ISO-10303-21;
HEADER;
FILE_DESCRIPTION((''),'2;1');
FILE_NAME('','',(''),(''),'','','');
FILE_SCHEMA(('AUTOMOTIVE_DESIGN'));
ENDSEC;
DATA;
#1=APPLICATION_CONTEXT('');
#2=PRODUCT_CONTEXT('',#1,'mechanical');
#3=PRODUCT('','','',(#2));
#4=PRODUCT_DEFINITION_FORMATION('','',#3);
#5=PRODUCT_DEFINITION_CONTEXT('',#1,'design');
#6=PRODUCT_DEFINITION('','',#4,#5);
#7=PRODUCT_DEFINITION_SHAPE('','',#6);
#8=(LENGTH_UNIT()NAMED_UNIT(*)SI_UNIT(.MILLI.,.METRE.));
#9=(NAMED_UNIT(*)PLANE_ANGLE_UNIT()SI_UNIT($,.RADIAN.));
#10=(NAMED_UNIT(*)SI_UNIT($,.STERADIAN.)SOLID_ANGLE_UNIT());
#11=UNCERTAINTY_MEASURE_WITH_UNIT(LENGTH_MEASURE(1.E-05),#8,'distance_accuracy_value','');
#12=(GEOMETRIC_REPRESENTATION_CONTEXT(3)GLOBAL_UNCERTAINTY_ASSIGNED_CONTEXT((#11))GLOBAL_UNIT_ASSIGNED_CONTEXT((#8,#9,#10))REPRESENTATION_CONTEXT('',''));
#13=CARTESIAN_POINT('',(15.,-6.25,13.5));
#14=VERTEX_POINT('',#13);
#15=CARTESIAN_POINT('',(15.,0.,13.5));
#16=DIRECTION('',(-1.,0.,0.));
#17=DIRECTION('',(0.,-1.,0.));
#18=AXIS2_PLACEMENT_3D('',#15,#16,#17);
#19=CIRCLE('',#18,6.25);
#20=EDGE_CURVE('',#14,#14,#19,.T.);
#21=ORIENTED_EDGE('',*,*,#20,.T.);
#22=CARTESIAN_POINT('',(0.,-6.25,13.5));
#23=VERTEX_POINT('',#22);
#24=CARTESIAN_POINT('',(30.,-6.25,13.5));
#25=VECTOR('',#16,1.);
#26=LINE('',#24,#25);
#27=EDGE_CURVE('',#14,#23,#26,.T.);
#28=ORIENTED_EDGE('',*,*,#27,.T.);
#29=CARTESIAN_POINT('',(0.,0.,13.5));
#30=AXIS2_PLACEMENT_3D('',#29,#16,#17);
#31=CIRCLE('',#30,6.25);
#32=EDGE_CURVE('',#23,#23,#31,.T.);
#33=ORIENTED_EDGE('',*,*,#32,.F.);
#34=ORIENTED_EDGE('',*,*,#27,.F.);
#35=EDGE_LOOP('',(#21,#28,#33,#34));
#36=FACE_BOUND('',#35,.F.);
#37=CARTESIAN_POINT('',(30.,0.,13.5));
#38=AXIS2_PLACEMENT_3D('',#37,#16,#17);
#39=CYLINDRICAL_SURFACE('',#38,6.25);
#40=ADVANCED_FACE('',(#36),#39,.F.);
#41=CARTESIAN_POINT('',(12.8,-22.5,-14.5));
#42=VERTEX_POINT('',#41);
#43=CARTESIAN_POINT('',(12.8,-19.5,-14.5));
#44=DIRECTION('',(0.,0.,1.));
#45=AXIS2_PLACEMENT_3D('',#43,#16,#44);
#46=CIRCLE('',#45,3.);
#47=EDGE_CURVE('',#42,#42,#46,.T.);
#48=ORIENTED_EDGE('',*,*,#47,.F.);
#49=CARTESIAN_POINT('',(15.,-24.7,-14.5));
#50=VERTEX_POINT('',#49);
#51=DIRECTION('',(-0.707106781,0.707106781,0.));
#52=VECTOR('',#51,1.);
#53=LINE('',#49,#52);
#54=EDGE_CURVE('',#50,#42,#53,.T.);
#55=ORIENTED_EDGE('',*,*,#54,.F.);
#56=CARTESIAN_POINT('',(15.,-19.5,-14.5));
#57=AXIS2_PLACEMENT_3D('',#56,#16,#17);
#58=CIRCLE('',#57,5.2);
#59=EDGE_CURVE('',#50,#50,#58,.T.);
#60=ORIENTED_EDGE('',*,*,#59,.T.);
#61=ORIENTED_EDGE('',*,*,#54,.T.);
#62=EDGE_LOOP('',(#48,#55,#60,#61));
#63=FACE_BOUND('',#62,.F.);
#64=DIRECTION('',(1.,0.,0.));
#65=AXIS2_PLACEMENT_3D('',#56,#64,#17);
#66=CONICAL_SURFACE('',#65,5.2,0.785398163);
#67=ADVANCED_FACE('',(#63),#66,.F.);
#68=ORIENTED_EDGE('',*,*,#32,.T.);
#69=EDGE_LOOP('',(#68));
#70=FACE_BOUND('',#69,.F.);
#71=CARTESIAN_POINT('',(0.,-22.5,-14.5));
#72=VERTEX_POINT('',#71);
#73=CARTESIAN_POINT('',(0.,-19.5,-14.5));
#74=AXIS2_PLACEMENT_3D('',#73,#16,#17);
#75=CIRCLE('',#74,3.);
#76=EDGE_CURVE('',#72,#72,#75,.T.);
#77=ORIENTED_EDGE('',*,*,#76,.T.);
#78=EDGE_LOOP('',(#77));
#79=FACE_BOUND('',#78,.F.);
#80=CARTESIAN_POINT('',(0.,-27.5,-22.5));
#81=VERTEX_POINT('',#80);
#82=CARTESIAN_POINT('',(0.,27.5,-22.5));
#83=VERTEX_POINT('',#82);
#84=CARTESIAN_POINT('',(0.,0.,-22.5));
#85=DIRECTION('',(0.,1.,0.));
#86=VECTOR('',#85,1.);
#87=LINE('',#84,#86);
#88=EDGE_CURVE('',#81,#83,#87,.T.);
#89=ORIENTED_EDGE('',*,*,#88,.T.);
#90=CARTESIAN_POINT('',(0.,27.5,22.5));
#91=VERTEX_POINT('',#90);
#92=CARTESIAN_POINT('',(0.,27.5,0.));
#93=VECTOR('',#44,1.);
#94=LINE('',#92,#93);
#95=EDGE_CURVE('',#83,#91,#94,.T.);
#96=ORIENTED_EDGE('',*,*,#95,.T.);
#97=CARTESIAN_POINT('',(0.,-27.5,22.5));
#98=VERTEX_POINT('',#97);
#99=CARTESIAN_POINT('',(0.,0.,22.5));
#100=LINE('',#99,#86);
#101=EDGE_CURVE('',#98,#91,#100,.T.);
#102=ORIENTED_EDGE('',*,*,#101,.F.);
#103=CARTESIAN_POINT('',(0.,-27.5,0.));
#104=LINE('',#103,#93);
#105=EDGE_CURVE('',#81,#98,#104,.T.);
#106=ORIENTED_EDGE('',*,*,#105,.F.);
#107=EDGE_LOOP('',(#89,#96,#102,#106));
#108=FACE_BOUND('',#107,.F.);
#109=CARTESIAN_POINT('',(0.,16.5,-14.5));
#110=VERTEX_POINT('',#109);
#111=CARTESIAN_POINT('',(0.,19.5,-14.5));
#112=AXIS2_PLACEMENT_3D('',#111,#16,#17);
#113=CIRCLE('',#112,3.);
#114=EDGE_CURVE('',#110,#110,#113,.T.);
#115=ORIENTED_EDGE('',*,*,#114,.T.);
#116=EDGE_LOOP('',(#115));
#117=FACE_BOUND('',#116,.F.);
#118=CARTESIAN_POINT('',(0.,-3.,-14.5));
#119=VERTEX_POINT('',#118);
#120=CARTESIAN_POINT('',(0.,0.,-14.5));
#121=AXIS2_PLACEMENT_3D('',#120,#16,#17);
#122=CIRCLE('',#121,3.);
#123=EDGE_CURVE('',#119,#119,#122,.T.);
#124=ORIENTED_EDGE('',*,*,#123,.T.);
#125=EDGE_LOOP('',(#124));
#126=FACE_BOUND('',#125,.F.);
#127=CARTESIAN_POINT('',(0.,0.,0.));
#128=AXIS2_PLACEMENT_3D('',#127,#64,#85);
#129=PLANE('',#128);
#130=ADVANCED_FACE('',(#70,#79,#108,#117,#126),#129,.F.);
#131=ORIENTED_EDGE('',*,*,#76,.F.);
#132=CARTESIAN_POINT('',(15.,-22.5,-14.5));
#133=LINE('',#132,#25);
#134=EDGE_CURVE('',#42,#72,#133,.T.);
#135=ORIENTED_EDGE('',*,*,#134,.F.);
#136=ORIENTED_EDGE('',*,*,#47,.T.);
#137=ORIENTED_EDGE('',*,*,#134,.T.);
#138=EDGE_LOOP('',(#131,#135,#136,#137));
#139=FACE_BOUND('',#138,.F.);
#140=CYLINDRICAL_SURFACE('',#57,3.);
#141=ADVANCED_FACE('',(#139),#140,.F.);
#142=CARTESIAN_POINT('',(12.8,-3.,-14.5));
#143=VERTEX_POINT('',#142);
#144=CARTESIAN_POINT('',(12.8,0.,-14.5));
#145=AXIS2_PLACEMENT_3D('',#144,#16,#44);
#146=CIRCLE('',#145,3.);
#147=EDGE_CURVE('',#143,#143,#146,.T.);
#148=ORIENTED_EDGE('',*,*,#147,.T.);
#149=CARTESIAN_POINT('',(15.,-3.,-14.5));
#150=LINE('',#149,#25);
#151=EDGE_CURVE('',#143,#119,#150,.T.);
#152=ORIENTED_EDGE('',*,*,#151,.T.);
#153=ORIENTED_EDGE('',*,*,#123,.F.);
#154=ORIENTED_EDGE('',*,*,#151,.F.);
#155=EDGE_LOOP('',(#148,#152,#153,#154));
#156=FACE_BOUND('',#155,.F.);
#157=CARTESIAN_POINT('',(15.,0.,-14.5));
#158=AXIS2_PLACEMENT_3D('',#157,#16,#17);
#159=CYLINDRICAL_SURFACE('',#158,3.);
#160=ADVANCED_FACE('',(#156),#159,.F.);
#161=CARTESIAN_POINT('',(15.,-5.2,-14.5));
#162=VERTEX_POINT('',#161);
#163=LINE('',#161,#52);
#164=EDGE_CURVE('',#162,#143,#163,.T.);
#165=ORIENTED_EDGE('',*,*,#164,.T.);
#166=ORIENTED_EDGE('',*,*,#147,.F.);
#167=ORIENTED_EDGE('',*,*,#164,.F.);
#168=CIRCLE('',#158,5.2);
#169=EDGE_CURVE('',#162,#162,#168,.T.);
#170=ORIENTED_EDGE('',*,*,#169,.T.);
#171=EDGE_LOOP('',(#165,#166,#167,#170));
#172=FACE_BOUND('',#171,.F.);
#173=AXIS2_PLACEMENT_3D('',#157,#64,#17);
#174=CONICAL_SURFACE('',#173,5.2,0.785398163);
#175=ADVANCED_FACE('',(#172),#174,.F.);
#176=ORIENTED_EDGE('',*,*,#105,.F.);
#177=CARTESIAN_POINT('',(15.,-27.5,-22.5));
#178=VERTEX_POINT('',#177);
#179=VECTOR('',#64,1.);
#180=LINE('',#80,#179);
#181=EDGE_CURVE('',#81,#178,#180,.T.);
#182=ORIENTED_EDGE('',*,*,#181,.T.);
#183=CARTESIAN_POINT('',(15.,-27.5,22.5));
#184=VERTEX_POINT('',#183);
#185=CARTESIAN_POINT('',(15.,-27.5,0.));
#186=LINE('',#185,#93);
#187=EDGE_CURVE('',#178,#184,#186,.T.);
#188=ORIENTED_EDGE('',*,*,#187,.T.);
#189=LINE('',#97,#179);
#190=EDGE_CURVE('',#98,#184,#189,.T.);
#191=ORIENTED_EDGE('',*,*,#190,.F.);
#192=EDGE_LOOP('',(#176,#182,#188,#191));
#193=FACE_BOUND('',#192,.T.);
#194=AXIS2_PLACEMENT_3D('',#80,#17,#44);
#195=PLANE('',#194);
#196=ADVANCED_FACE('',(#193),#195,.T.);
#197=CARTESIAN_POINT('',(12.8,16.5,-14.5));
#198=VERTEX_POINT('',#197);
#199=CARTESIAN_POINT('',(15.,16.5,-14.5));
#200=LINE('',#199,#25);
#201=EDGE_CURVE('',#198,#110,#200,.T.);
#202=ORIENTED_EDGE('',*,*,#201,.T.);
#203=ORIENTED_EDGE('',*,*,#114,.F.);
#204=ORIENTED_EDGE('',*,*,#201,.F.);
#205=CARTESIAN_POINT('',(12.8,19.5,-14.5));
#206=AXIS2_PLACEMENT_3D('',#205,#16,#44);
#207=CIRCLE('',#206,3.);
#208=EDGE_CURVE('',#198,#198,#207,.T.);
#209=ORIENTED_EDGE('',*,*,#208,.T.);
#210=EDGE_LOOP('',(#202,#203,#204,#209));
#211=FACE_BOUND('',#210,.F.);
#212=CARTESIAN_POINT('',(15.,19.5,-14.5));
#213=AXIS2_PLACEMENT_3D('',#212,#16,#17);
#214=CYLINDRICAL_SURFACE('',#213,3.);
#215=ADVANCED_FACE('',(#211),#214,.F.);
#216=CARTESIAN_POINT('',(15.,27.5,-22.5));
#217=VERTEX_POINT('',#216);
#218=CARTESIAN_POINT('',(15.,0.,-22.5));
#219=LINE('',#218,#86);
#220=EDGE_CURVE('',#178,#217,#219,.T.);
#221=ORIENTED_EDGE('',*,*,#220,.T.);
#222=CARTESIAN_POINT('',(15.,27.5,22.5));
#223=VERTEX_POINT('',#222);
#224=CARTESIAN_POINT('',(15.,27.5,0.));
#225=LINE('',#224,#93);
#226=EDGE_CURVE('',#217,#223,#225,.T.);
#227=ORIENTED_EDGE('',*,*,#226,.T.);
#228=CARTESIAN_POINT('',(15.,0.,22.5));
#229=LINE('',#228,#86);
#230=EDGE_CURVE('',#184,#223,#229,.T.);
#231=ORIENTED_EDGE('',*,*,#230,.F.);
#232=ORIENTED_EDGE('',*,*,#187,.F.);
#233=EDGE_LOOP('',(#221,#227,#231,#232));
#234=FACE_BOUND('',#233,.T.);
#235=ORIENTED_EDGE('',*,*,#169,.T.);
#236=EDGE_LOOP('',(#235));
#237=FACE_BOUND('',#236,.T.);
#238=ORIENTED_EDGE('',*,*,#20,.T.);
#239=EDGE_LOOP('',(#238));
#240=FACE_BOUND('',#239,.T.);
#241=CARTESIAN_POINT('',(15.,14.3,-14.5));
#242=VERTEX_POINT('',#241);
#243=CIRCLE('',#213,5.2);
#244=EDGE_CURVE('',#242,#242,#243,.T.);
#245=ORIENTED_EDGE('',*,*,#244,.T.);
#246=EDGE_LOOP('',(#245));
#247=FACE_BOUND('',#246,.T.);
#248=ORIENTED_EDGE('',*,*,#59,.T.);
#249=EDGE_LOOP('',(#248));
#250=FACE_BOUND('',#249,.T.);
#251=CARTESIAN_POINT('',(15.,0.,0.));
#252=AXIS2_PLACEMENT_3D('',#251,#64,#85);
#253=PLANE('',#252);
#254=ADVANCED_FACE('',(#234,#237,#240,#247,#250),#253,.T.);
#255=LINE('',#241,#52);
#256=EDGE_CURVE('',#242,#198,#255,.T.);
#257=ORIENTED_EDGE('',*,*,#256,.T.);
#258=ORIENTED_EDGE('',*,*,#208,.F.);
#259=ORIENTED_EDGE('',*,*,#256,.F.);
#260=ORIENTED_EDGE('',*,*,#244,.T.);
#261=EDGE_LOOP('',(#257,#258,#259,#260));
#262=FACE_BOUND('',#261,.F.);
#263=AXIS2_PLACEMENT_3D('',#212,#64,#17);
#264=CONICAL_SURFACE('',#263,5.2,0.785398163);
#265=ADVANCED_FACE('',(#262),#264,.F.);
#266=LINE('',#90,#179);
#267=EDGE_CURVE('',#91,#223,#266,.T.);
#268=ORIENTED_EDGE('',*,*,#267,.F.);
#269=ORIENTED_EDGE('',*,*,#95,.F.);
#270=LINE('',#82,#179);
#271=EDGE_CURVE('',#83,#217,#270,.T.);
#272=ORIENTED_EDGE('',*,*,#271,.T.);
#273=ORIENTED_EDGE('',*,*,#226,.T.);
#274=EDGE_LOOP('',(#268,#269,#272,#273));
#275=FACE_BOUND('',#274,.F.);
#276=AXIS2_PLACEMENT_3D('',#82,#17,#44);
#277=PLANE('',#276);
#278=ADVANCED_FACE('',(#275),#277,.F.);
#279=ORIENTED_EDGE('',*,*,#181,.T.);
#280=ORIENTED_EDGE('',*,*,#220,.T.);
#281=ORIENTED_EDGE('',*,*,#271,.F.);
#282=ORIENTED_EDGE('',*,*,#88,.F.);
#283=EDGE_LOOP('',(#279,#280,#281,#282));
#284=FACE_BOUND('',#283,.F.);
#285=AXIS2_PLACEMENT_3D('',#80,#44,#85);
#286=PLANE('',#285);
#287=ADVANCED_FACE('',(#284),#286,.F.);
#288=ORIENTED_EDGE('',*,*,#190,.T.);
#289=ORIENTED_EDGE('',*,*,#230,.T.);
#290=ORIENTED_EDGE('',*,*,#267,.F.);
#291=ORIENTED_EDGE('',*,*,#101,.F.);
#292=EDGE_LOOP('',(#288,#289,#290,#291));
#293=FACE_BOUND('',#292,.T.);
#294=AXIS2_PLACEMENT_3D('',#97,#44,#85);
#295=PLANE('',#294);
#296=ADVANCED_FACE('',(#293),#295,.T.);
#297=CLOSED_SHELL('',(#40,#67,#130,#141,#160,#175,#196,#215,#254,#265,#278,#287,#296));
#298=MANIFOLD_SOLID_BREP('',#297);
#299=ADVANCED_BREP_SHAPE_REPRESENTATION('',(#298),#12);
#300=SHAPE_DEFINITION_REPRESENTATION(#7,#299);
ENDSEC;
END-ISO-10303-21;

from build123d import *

# Parameters (mm, degrees)
F0_W           = 55
F0_H           = 45
F1_DEPTH       = 15
F3_D           = 12.5
F3_DEPTH       = 15
F4_D           = 6
F4_DEPTH       = 15
F4_CSINK_D     = 10.4
F4_CSINK_ANGLE = 90


with BuildPart() as f1:
    # F0 (on Right) → F1 (new body)
    with BuildSketch(Plane.YZ):
        Rectangle(F0_W, F0_H)
    extrude(amount=F1_DEPTH)

    # F3
    with Locations(Plane.YZ.offset(15)):
        with Locations((0, 13.5)):
            Hole(F3_D / 2, depth=F3_DEPTH)

    # F4
    with Locations(Plane.YZ.offset(15)):
        with Locations((-19.5, -14.5), (0, -14.5), (19.5, -14.5)):
            CounterSinkHole(F4_D / 2, F4_CSINK_D / 2, depth=F4_DEPTH, counter_sink_angle=F4_CSINK_ANGLE)


solid = f1.part
